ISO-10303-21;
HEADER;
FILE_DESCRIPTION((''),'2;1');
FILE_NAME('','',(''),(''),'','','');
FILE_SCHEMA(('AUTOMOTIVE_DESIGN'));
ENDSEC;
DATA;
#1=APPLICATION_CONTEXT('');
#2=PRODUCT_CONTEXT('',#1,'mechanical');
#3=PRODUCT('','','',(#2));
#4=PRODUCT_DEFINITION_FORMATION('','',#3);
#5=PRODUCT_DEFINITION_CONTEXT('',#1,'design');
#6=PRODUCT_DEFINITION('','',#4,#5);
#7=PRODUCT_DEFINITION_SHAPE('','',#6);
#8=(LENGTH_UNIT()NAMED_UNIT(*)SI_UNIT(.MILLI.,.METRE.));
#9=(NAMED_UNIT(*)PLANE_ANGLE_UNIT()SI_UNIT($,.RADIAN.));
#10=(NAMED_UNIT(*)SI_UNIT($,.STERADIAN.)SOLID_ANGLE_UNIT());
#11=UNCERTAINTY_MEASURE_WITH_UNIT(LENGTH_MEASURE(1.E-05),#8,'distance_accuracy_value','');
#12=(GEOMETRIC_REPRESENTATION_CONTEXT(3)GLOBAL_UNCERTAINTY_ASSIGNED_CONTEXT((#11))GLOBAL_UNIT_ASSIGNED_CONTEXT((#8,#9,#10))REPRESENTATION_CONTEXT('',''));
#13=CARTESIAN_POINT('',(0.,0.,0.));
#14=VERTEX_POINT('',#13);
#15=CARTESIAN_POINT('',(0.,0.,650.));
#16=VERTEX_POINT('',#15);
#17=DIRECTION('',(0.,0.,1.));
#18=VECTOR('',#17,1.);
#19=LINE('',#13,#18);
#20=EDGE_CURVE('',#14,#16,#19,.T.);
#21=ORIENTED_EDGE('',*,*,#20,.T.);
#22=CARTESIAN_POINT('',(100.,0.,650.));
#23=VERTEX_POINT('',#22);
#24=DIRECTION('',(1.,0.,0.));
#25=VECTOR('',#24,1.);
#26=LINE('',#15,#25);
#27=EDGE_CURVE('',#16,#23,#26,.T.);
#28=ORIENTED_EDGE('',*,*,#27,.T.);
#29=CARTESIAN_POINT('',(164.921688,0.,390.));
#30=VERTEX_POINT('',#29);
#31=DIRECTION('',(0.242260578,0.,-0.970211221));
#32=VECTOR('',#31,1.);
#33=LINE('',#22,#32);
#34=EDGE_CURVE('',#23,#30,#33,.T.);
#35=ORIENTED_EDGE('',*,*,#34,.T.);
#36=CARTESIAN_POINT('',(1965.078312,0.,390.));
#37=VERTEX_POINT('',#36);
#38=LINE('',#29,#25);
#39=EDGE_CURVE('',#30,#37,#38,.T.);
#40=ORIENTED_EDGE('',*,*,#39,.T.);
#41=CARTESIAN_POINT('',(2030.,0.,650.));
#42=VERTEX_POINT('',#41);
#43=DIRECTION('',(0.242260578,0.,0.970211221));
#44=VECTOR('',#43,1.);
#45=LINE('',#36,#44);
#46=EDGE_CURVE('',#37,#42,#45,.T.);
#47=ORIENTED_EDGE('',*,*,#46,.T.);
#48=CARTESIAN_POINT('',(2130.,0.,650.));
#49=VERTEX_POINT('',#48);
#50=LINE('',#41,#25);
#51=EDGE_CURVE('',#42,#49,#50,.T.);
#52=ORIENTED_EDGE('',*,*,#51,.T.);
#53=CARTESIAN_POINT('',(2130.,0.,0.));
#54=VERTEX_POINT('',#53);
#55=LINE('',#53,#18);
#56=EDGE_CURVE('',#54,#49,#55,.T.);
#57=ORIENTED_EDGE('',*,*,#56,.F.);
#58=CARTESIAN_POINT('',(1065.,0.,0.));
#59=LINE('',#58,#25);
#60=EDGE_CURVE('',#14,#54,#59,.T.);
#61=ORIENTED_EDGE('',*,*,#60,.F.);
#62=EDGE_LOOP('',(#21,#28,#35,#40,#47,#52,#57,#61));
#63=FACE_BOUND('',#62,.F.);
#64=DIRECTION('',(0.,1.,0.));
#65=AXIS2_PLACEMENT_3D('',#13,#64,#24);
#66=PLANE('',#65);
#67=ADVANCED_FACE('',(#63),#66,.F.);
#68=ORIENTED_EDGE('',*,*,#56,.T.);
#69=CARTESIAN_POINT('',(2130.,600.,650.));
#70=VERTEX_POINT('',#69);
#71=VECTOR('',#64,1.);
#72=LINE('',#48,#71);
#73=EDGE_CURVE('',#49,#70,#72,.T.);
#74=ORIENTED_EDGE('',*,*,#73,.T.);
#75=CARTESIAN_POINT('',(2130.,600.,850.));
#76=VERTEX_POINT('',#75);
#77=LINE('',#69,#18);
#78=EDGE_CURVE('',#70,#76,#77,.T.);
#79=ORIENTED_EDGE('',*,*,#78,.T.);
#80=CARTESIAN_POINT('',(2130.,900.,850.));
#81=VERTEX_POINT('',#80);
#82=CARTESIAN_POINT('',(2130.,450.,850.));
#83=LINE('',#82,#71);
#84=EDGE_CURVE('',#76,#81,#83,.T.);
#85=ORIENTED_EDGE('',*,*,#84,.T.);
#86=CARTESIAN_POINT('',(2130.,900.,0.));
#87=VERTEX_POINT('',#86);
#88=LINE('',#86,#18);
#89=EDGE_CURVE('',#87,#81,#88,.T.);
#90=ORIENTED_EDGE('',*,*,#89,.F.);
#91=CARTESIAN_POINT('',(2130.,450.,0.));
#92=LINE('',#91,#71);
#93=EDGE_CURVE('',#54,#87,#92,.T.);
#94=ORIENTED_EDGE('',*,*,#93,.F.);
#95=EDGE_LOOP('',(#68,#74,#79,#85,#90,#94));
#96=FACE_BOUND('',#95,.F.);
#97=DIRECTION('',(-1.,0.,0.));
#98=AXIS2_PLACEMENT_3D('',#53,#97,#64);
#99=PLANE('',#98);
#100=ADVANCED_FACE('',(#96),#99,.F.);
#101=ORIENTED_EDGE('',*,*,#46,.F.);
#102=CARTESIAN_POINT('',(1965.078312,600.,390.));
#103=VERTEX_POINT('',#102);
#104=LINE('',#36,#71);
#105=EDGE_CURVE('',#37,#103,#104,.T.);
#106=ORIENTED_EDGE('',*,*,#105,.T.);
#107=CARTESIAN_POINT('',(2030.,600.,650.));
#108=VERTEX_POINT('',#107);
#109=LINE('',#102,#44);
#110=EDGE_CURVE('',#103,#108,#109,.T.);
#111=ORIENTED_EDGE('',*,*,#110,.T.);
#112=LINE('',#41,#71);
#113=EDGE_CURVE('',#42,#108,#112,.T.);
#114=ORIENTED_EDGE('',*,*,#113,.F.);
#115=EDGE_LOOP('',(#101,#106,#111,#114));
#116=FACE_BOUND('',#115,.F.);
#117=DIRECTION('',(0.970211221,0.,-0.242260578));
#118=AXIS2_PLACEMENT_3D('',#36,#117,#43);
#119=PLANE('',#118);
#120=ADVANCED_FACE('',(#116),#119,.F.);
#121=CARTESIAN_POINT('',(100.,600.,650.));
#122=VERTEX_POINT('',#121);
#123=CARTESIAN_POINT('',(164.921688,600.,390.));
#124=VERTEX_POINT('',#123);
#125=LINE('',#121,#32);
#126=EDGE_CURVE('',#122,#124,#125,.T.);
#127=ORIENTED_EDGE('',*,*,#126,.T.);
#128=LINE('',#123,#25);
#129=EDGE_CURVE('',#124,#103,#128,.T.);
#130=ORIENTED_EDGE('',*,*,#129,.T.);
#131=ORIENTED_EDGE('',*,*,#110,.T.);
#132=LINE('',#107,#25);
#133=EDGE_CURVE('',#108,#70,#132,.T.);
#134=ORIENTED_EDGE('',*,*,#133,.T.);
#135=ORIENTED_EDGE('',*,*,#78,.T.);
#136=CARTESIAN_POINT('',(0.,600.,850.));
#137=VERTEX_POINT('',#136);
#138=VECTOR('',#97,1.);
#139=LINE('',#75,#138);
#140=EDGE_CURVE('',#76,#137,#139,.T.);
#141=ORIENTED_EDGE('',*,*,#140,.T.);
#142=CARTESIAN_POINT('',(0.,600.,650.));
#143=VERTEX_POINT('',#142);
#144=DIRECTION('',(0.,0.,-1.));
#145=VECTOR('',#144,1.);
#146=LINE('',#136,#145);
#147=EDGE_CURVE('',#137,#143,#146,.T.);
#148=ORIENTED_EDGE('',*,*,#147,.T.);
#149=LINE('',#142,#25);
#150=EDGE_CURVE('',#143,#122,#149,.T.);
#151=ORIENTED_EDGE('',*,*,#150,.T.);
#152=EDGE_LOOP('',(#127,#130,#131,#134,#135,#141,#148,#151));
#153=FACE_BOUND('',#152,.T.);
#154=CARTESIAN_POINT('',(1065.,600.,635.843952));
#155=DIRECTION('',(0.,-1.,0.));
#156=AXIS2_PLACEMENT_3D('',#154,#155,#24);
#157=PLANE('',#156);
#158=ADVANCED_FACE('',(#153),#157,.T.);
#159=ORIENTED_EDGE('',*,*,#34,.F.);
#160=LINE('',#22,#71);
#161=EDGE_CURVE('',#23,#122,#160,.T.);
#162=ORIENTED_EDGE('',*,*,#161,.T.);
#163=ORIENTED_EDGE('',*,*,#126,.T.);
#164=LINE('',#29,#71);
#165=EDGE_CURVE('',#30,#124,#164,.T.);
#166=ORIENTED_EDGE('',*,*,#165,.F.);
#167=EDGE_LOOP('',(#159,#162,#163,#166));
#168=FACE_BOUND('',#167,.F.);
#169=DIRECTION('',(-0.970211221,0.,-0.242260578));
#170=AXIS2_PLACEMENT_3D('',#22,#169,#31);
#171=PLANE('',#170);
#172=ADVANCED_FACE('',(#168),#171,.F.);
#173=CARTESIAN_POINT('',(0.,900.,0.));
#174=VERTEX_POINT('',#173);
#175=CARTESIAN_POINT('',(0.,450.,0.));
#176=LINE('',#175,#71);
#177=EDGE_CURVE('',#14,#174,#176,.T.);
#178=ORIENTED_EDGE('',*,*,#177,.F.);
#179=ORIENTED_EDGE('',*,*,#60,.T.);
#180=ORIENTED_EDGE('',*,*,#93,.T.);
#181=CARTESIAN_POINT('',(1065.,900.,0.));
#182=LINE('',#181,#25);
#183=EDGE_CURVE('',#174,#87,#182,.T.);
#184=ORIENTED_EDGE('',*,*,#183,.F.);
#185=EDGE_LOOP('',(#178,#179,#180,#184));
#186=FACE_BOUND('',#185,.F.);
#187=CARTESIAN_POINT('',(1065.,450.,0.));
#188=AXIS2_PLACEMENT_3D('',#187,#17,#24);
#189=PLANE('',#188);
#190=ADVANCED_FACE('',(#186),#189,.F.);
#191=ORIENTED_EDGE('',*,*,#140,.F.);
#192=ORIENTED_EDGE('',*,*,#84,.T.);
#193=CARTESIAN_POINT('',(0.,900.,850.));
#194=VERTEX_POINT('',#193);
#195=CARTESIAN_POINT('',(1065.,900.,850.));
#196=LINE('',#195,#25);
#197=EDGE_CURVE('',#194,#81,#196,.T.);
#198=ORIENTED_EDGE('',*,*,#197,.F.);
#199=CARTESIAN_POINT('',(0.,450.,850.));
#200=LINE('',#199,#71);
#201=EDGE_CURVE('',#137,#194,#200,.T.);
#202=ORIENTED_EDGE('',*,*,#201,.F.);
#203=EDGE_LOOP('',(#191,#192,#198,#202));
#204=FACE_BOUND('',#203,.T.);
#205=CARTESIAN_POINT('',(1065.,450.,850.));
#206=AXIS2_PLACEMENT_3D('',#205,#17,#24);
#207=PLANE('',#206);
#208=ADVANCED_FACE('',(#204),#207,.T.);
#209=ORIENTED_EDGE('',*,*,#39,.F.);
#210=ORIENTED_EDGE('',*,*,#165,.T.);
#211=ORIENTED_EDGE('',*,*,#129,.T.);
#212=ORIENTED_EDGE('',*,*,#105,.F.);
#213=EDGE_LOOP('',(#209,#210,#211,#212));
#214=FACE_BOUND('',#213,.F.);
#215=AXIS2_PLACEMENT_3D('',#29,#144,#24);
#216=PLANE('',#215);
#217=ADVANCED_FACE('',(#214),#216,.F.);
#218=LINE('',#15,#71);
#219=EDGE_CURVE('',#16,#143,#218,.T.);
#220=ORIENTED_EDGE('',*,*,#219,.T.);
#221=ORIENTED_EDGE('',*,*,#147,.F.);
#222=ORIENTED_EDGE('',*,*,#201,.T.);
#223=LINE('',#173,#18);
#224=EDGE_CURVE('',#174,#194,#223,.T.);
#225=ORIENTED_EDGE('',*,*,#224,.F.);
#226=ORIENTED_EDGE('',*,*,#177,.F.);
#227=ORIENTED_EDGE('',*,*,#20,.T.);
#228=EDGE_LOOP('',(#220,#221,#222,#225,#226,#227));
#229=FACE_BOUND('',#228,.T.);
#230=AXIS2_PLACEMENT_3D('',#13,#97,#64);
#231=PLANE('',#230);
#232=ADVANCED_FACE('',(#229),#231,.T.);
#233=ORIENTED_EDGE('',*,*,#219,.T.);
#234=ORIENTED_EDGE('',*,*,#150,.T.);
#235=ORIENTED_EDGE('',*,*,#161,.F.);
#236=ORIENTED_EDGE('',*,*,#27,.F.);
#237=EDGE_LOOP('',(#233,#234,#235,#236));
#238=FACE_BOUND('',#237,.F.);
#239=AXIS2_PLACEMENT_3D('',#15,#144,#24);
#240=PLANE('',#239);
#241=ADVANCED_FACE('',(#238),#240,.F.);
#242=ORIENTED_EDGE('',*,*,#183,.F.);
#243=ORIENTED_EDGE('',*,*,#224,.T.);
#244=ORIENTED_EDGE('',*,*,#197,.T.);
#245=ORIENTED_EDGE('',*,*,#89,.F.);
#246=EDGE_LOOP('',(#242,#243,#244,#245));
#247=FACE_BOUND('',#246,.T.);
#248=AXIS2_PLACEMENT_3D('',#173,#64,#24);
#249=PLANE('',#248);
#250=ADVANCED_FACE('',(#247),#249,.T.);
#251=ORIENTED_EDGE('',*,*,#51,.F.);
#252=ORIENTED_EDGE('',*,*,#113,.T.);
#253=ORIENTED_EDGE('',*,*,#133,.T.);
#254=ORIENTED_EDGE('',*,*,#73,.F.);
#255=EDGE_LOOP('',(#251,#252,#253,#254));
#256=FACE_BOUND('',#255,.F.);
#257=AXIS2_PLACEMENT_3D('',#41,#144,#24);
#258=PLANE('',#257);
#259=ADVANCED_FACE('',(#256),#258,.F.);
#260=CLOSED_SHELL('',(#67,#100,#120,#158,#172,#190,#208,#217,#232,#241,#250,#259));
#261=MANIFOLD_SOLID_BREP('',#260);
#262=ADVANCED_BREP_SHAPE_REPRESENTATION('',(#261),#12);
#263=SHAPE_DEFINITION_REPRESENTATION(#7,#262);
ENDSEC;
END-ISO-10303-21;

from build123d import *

# Parameters (mm, degrees)
SKETCH_W     = 2130
SKETCH_H     = 900
PAD_DEPTH    = 850
POCKET_DEPTH = 600


with BuildPart() as part:
    # Sketch → Pad (new body)
    with BuildSketch(Plane.XY):
        with Locations((1065, 450)):
            Rectangle(SKETCH_W, SKETCH_H)
    extrude(amount=PAD_DEPTH)

    # Sketch001 (on Face1 of Pad) → Pocket (cut)
    with BuildSketch(Plane.XZ):
        Polygon((0, 650), (100, 650), (164.921688, 390), (1965.078312, 390), (2030, 650), (2130, 650), (2130, 850), (0, 850), align=None)
    extrude(amount=-POCKET_DEPTH, mode=Mode.SUBTRACT)


solid = part.part
